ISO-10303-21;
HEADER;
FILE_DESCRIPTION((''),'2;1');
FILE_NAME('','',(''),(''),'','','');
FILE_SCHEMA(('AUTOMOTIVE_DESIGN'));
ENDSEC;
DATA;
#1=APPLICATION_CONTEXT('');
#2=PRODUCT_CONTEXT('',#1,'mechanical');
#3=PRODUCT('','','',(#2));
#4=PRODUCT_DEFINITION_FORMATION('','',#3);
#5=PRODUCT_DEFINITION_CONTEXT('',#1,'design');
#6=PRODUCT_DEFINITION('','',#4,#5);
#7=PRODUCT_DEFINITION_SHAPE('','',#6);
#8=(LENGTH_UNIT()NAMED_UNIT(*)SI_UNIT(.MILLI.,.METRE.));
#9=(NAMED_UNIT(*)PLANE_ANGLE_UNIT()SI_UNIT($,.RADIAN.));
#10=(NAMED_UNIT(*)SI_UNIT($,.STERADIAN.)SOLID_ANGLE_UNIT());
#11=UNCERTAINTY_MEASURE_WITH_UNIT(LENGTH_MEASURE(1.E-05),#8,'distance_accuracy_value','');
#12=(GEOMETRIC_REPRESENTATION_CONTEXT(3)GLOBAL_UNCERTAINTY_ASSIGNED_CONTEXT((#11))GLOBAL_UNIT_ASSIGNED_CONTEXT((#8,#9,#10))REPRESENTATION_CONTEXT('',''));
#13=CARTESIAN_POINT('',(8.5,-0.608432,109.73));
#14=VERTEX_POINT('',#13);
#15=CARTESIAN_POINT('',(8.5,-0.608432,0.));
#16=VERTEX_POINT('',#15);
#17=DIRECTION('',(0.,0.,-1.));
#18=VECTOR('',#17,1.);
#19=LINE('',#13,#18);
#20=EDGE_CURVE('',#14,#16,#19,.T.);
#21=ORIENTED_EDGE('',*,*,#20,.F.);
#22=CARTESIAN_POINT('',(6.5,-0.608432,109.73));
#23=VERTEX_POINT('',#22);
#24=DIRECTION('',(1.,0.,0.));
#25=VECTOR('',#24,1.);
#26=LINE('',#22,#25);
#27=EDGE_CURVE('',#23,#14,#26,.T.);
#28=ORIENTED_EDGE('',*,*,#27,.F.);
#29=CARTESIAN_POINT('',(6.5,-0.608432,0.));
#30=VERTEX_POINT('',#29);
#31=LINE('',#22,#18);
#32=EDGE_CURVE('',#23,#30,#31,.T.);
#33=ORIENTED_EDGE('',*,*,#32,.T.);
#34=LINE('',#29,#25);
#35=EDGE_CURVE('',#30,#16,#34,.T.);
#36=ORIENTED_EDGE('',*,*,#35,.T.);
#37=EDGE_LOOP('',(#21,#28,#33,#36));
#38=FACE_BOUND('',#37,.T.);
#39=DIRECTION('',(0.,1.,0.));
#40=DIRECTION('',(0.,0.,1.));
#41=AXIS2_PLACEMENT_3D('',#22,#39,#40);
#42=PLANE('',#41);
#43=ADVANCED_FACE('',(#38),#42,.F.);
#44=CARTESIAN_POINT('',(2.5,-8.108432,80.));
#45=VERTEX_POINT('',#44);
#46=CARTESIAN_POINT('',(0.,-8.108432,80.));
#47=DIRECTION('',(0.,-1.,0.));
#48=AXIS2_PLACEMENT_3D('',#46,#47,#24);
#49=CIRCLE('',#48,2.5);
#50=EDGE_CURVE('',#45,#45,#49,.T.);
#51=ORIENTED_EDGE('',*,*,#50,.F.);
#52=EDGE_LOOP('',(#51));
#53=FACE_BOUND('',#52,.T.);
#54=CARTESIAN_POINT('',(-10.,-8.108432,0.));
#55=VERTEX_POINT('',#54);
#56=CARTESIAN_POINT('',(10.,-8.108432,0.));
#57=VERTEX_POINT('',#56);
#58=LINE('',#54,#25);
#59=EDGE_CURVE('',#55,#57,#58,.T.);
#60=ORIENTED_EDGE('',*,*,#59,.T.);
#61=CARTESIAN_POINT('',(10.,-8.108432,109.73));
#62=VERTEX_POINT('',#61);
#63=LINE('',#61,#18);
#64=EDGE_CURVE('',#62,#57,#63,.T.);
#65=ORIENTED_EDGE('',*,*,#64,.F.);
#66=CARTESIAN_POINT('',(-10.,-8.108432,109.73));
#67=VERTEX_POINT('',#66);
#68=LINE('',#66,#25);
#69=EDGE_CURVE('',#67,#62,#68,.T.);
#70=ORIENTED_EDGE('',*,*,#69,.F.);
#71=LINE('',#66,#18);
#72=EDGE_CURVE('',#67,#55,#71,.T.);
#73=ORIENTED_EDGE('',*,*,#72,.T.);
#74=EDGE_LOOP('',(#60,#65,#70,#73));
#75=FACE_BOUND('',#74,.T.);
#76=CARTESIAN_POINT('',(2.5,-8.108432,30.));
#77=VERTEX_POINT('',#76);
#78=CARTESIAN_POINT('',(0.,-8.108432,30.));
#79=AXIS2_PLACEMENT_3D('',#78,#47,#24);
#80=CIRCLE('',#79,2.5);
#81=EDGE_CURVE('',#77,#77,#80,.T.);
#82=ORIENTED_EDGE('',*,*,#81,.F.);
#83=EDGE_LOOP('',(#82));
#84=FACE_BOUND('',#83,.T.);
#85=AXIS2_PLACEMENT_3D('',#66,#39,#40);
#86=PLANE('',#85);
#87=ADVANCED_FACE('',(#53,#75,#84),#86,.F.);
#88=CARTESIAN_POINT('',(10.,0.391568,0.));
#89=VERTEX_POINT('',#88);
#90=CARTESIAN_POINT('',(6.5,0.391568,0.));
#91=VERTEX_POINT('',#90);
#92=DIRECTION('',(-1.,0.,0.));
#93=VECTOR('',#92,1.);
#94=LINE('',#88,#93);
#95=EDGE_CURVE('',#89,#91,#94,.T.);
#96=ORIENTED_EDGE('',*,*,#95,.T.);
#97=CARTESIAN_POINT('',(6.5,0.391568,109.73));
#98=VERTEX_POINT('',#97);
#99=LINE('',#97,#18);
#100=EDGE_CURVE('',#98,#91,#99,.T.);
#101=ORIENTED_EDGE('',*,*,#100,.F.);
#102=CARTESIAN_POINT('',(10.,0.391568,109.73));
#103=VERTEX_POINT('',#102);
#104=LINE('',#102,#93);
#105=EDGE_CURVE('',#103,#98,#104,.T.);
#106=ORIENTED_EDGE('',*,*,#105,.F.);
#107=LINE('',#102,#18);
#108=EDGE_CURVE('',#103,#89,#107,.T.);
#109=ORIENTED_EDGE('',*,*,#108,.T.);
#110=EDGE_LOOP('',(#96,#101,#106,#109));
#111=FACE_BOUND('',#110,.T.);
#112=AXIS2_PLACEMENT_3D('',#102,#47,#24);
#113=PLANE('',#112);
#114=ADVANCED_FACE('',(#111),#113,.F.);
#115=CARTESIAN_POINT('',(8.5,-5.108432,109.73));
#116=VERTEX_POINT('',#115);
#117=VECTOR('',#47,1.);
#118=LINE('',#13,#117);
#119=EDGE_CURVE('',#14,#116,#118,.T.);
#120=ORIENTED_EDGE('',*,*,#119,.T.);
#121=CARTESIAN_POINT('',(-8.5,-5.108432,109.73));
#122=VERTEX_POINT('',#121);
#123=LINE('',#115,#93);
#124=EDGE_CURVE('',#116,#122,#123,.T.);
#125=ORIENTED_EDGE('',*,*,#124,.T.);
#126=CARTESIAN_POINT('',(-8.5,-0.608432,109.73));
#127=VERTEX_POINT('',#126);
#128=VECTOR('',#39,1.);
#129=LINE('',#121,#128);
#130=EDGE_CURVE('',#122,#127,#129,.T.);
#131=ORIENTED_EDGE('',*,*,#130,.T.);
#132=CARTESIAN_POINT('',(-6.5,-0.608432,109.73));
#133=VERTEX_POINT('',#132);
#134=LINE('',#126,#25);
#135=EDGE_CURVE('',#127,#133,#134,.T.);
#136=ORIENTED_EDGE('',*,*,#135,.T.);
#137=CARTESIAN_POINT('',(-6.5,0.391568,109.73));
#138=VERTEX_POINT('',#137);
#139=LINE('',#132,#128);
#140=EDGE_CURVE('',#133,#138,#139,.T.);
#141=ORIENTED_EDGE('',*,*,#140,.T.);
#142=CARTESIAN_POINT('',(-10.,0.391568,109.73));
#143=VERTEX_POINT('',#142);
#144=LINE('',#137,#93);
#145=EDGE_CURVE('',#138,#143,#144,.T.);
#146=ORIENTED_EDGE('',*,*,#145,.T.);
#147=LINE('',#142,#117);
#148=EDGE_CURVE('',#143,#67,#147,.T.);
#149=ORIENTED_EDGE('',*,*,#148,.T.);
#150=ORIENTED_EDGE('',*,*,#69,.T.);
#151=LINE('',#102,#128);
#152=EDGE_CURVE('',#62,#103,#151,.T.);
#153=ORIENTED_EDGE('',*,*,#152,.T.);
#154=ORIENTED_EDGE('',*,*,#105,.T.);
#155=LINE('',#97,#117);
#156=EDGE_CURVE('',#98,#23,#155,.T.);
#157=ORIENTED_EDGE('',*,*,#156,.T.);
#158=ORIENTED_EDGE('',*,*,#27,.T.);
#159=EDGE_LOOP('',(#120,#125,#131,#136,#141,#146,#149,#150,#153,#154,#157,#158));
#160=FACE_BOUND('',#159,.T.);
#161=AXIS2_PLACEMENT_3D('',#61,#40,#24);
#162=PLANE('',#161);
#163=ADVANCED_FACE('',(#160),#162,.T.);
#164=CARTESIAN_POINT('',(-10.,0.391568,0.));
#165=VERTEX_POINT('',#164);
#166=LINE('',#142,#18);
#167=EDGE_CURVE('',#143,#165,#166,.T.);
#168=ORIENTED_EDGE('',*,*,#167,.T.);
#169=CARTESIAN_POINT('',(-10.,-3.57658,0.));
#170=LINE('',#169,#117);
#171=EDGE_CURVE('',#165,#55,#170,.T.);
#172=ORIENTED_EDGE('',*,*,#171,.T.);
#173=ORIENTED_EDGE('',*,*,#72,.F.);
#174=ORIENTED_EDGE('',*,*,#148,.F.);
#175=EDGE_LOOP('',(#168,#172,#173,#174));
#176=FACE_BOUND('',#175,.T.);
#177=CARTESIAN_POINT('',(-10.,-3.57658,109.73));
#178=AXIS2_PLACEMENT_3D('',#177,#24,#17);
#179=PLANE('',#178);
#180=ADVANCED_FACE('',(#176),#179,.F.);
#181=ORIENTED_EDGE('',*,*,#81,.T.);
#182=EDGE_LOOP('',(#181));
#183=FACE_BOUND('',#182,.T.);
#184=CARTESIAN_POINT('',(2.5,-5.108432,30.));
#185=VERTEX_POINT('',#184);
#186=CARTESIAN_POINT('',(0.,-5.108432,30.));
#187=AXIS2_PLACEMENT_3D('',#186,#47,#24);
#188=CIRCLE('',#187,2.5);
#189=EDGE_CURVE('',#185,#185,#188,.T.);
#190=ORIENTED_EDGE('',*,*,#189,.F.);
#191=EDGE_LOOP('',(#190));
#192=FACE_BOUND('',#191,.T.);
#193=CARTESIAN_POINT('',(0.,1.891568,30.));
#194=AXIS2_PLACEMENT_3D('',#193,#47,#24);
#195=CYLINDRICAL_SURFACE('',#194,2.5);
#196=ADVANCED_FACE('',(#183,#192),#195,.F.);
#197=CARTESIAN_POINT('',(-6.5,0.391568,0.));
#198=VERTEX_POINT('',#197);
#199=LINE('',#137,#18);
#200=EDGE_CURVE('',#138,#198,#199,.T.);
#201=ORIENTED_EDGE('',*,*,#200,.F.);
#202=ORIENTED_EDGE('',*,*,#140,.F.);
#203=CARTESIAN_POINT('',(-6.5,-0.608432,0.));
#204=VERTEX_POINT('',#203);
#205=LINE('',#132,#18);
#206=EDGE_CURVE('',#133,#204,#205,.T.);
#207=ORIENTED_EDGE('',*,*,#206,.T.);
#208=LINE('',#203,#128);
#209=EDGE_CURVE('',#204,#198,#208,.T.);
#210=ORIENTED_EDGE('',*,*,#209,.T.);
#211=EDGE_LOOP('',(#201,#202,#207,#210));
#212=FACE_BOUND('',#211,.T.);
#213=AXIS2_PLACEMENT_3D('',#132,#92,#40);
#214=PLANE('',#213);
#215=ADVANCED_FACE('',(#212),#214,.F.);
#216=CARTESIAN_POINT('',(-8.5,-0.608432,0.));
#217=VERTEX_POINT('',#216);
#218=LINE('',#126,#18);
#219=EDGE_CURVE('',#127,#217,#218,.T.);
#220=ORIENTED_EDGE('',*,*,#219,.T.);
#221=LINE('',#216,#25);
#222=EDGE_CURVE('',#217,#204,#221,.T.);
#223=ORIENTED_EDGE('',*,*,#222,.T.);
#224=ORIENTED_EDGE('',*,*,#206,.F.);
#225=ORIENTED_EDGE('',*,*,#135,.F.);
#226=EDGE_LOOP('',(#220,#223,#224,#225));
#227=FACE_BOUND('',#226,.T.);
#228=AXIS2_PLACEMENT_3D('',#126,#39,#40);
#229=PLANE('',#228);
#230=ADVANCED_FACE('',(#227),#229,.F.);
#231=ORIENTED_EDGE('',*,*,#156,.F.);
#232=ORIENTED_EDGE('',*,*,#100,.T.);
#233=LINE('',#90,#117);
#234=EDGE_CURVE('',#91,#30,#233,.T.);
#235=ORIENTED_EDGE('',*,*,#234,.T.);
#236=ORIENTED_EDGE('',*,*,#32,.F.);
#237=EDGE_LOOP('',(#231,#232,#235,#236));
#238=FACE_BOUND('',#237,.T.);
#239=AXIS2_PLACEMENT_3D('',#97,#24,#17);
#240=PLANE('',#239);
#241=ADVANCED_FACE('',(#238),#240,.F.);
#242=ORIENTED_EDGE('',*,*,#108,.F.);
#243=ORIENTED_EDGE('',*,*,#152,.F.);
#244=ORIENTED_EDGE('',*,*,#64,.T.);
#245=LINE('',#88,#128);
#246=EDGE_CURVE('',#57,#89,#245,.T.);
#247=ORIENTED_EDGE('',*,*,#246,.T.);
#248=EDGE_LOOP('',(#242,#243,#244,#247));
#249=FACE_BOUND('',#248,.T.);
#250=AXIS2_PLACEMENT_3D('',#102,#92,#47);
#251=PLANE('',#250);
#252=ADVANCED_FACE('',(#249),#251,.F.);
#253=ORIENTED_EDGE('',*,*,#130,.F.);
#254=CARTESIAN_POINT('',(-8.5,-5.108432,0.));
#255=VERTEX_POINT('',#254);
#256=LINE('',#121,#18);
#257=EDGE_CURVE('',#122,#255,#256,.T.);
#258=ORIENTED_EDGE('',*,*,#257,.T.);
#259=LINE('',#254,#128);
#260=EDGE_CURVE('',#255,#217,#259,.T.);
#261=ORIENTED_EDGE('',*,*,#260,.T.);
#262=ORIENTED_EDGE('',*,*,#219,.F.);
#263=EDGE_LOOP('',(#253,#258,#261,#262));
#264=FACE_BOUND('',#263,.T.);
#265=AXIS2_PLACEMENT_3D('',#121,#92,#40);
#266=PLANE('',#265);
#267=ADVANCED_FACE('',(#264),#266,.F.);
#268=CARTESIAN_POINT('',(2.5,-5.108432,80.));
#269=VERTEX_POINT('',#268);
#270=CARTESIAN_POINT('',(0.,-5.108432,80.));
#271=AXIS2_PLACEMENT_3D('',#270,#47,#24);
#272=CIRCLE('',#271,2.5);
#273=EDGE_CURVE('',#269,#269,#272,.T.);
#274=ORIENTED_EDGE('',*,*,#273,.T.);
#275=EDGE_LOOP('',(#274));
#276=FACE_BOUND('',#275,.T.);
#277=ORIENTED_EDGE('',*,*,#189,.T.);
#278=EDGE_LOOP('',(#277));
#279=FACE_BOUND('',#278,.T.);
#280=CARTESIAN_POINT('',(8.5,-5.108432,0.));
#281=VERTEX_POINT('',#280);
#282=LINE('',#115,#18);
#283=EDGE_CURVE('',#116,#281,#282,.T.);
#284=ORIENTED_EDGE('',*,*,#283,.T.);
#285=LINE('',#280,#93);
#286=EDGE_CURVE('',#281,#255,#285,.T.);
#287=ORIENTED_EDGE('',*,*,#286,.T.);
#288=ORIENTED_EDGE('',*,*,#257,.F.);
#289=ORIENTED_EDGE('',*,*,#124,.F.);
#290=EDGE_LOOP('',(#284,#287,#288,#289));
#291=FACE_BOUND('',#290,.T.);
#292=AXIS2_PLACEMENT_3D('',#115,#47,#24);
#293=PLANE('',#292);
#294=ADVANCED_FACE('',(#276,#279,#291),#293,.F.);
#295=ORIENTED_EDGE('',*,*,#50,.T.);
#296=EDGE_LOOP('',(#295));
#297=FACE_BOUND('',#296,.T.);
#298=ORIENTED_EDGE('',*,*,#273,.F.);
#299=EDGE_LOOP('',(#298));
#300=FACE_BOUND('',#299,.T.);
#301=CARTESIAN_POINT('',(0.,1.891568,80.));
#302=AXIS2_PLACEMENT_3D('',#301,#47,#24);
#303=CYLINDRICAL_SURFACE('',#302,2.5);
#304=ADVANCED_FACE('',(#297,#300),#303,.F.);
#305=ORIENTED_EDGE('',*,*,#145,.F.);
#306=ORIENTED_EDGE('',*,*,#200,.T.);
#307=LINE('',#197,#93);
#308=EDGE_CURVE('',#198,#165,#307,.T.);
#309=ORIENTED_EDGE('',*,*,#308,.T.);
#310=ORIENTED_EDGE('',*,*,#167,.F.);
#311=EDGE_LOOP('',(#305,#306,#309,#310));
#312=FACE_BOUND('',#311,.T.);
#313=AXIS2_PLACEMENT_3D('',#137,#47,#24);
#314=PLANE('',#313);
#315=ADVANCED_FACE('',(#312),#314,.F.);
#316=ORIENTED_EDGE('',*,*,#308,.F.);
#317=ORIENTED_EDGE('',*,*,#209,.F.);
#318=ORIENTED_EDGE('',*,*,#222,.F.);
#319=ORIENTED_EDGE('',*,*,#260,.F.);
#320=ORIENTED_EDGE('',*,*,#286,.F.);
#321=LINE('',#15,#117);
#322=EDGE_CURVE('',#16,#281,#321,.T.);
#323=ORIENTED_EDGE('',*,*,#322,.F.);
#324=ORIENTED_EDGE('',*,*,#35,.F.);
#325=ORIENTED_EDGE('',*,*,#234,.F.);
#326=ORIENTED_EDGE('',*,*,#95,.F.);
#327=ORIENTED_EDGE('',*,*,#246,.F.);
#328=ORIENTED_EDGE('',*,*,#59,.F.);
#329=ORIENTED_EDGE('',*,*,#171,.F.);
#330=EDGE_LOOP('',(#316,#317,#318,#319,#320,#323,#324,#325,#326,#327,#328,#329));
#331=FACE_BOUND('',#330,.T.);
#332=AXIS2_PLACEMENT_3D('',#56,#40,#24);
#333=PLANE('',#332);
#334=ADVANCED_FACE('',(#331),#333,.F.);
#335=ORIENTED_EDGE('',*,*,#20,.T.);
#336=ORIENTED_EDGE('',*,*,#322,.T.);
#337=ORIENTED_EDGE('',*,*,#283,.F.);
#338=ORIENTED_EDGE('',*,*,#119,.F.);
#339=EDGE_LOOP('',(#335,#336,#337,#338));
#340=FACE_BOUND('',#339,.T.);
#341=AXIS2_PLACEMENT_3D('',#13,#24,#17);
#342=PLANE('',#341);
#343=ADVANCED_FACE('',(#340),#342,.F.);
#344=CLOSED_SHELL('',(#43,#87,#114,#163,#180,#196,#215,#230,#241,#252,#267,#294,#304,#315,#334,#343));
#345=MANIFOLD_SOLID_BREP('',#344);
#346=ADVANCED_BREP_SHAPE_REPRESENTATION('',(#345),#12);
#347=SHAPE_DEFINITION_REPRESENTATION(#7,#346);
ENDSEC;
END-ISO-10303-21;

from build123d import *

# Parameters (mm, degrees)
BOSS_EXTRUDE2_DEPTH = 109.73
SKETCH2_R           = 2.5
CUT_EXTRUDE1_DEPTH  = 10


with BuildPart() as part:
    # Sketch1 → Boss-Extrude2 (new body)
    with BuildSketch(Plane.XY):
        Polygon((-10, 0.391567614), (-10, -3.576580006), (-10, -8.108432386), (10, -8.108432386), (10, 0.391567614), (6.5, 0.391567614), (6.5, -0.608432386), (8.5, -0.608432386), (8.5, -5.108432386), (-8.5, -5.108432386), (-8.5, -0.608432386), (-6.5, -0.608432386), (-6.5, 0.391567614), align=None)
    extrude(amount=BOSS_EXTRUDE2_DEPTH)

    # Sketch2 → Cut-Extrude1 (cut)
    with BuildSketch(Plane.XZ.offset(8.108432386)):
        with Locations((0, 30)):
            Circle(SKETCH2_R)
        with Locations((0, 80)):
            Circle(SKETCH2_R)
    extrude(amount=-CUT_EXTRUDE1_DEPTH, mode=Mode.SUBTRACT)


solid = part.part
